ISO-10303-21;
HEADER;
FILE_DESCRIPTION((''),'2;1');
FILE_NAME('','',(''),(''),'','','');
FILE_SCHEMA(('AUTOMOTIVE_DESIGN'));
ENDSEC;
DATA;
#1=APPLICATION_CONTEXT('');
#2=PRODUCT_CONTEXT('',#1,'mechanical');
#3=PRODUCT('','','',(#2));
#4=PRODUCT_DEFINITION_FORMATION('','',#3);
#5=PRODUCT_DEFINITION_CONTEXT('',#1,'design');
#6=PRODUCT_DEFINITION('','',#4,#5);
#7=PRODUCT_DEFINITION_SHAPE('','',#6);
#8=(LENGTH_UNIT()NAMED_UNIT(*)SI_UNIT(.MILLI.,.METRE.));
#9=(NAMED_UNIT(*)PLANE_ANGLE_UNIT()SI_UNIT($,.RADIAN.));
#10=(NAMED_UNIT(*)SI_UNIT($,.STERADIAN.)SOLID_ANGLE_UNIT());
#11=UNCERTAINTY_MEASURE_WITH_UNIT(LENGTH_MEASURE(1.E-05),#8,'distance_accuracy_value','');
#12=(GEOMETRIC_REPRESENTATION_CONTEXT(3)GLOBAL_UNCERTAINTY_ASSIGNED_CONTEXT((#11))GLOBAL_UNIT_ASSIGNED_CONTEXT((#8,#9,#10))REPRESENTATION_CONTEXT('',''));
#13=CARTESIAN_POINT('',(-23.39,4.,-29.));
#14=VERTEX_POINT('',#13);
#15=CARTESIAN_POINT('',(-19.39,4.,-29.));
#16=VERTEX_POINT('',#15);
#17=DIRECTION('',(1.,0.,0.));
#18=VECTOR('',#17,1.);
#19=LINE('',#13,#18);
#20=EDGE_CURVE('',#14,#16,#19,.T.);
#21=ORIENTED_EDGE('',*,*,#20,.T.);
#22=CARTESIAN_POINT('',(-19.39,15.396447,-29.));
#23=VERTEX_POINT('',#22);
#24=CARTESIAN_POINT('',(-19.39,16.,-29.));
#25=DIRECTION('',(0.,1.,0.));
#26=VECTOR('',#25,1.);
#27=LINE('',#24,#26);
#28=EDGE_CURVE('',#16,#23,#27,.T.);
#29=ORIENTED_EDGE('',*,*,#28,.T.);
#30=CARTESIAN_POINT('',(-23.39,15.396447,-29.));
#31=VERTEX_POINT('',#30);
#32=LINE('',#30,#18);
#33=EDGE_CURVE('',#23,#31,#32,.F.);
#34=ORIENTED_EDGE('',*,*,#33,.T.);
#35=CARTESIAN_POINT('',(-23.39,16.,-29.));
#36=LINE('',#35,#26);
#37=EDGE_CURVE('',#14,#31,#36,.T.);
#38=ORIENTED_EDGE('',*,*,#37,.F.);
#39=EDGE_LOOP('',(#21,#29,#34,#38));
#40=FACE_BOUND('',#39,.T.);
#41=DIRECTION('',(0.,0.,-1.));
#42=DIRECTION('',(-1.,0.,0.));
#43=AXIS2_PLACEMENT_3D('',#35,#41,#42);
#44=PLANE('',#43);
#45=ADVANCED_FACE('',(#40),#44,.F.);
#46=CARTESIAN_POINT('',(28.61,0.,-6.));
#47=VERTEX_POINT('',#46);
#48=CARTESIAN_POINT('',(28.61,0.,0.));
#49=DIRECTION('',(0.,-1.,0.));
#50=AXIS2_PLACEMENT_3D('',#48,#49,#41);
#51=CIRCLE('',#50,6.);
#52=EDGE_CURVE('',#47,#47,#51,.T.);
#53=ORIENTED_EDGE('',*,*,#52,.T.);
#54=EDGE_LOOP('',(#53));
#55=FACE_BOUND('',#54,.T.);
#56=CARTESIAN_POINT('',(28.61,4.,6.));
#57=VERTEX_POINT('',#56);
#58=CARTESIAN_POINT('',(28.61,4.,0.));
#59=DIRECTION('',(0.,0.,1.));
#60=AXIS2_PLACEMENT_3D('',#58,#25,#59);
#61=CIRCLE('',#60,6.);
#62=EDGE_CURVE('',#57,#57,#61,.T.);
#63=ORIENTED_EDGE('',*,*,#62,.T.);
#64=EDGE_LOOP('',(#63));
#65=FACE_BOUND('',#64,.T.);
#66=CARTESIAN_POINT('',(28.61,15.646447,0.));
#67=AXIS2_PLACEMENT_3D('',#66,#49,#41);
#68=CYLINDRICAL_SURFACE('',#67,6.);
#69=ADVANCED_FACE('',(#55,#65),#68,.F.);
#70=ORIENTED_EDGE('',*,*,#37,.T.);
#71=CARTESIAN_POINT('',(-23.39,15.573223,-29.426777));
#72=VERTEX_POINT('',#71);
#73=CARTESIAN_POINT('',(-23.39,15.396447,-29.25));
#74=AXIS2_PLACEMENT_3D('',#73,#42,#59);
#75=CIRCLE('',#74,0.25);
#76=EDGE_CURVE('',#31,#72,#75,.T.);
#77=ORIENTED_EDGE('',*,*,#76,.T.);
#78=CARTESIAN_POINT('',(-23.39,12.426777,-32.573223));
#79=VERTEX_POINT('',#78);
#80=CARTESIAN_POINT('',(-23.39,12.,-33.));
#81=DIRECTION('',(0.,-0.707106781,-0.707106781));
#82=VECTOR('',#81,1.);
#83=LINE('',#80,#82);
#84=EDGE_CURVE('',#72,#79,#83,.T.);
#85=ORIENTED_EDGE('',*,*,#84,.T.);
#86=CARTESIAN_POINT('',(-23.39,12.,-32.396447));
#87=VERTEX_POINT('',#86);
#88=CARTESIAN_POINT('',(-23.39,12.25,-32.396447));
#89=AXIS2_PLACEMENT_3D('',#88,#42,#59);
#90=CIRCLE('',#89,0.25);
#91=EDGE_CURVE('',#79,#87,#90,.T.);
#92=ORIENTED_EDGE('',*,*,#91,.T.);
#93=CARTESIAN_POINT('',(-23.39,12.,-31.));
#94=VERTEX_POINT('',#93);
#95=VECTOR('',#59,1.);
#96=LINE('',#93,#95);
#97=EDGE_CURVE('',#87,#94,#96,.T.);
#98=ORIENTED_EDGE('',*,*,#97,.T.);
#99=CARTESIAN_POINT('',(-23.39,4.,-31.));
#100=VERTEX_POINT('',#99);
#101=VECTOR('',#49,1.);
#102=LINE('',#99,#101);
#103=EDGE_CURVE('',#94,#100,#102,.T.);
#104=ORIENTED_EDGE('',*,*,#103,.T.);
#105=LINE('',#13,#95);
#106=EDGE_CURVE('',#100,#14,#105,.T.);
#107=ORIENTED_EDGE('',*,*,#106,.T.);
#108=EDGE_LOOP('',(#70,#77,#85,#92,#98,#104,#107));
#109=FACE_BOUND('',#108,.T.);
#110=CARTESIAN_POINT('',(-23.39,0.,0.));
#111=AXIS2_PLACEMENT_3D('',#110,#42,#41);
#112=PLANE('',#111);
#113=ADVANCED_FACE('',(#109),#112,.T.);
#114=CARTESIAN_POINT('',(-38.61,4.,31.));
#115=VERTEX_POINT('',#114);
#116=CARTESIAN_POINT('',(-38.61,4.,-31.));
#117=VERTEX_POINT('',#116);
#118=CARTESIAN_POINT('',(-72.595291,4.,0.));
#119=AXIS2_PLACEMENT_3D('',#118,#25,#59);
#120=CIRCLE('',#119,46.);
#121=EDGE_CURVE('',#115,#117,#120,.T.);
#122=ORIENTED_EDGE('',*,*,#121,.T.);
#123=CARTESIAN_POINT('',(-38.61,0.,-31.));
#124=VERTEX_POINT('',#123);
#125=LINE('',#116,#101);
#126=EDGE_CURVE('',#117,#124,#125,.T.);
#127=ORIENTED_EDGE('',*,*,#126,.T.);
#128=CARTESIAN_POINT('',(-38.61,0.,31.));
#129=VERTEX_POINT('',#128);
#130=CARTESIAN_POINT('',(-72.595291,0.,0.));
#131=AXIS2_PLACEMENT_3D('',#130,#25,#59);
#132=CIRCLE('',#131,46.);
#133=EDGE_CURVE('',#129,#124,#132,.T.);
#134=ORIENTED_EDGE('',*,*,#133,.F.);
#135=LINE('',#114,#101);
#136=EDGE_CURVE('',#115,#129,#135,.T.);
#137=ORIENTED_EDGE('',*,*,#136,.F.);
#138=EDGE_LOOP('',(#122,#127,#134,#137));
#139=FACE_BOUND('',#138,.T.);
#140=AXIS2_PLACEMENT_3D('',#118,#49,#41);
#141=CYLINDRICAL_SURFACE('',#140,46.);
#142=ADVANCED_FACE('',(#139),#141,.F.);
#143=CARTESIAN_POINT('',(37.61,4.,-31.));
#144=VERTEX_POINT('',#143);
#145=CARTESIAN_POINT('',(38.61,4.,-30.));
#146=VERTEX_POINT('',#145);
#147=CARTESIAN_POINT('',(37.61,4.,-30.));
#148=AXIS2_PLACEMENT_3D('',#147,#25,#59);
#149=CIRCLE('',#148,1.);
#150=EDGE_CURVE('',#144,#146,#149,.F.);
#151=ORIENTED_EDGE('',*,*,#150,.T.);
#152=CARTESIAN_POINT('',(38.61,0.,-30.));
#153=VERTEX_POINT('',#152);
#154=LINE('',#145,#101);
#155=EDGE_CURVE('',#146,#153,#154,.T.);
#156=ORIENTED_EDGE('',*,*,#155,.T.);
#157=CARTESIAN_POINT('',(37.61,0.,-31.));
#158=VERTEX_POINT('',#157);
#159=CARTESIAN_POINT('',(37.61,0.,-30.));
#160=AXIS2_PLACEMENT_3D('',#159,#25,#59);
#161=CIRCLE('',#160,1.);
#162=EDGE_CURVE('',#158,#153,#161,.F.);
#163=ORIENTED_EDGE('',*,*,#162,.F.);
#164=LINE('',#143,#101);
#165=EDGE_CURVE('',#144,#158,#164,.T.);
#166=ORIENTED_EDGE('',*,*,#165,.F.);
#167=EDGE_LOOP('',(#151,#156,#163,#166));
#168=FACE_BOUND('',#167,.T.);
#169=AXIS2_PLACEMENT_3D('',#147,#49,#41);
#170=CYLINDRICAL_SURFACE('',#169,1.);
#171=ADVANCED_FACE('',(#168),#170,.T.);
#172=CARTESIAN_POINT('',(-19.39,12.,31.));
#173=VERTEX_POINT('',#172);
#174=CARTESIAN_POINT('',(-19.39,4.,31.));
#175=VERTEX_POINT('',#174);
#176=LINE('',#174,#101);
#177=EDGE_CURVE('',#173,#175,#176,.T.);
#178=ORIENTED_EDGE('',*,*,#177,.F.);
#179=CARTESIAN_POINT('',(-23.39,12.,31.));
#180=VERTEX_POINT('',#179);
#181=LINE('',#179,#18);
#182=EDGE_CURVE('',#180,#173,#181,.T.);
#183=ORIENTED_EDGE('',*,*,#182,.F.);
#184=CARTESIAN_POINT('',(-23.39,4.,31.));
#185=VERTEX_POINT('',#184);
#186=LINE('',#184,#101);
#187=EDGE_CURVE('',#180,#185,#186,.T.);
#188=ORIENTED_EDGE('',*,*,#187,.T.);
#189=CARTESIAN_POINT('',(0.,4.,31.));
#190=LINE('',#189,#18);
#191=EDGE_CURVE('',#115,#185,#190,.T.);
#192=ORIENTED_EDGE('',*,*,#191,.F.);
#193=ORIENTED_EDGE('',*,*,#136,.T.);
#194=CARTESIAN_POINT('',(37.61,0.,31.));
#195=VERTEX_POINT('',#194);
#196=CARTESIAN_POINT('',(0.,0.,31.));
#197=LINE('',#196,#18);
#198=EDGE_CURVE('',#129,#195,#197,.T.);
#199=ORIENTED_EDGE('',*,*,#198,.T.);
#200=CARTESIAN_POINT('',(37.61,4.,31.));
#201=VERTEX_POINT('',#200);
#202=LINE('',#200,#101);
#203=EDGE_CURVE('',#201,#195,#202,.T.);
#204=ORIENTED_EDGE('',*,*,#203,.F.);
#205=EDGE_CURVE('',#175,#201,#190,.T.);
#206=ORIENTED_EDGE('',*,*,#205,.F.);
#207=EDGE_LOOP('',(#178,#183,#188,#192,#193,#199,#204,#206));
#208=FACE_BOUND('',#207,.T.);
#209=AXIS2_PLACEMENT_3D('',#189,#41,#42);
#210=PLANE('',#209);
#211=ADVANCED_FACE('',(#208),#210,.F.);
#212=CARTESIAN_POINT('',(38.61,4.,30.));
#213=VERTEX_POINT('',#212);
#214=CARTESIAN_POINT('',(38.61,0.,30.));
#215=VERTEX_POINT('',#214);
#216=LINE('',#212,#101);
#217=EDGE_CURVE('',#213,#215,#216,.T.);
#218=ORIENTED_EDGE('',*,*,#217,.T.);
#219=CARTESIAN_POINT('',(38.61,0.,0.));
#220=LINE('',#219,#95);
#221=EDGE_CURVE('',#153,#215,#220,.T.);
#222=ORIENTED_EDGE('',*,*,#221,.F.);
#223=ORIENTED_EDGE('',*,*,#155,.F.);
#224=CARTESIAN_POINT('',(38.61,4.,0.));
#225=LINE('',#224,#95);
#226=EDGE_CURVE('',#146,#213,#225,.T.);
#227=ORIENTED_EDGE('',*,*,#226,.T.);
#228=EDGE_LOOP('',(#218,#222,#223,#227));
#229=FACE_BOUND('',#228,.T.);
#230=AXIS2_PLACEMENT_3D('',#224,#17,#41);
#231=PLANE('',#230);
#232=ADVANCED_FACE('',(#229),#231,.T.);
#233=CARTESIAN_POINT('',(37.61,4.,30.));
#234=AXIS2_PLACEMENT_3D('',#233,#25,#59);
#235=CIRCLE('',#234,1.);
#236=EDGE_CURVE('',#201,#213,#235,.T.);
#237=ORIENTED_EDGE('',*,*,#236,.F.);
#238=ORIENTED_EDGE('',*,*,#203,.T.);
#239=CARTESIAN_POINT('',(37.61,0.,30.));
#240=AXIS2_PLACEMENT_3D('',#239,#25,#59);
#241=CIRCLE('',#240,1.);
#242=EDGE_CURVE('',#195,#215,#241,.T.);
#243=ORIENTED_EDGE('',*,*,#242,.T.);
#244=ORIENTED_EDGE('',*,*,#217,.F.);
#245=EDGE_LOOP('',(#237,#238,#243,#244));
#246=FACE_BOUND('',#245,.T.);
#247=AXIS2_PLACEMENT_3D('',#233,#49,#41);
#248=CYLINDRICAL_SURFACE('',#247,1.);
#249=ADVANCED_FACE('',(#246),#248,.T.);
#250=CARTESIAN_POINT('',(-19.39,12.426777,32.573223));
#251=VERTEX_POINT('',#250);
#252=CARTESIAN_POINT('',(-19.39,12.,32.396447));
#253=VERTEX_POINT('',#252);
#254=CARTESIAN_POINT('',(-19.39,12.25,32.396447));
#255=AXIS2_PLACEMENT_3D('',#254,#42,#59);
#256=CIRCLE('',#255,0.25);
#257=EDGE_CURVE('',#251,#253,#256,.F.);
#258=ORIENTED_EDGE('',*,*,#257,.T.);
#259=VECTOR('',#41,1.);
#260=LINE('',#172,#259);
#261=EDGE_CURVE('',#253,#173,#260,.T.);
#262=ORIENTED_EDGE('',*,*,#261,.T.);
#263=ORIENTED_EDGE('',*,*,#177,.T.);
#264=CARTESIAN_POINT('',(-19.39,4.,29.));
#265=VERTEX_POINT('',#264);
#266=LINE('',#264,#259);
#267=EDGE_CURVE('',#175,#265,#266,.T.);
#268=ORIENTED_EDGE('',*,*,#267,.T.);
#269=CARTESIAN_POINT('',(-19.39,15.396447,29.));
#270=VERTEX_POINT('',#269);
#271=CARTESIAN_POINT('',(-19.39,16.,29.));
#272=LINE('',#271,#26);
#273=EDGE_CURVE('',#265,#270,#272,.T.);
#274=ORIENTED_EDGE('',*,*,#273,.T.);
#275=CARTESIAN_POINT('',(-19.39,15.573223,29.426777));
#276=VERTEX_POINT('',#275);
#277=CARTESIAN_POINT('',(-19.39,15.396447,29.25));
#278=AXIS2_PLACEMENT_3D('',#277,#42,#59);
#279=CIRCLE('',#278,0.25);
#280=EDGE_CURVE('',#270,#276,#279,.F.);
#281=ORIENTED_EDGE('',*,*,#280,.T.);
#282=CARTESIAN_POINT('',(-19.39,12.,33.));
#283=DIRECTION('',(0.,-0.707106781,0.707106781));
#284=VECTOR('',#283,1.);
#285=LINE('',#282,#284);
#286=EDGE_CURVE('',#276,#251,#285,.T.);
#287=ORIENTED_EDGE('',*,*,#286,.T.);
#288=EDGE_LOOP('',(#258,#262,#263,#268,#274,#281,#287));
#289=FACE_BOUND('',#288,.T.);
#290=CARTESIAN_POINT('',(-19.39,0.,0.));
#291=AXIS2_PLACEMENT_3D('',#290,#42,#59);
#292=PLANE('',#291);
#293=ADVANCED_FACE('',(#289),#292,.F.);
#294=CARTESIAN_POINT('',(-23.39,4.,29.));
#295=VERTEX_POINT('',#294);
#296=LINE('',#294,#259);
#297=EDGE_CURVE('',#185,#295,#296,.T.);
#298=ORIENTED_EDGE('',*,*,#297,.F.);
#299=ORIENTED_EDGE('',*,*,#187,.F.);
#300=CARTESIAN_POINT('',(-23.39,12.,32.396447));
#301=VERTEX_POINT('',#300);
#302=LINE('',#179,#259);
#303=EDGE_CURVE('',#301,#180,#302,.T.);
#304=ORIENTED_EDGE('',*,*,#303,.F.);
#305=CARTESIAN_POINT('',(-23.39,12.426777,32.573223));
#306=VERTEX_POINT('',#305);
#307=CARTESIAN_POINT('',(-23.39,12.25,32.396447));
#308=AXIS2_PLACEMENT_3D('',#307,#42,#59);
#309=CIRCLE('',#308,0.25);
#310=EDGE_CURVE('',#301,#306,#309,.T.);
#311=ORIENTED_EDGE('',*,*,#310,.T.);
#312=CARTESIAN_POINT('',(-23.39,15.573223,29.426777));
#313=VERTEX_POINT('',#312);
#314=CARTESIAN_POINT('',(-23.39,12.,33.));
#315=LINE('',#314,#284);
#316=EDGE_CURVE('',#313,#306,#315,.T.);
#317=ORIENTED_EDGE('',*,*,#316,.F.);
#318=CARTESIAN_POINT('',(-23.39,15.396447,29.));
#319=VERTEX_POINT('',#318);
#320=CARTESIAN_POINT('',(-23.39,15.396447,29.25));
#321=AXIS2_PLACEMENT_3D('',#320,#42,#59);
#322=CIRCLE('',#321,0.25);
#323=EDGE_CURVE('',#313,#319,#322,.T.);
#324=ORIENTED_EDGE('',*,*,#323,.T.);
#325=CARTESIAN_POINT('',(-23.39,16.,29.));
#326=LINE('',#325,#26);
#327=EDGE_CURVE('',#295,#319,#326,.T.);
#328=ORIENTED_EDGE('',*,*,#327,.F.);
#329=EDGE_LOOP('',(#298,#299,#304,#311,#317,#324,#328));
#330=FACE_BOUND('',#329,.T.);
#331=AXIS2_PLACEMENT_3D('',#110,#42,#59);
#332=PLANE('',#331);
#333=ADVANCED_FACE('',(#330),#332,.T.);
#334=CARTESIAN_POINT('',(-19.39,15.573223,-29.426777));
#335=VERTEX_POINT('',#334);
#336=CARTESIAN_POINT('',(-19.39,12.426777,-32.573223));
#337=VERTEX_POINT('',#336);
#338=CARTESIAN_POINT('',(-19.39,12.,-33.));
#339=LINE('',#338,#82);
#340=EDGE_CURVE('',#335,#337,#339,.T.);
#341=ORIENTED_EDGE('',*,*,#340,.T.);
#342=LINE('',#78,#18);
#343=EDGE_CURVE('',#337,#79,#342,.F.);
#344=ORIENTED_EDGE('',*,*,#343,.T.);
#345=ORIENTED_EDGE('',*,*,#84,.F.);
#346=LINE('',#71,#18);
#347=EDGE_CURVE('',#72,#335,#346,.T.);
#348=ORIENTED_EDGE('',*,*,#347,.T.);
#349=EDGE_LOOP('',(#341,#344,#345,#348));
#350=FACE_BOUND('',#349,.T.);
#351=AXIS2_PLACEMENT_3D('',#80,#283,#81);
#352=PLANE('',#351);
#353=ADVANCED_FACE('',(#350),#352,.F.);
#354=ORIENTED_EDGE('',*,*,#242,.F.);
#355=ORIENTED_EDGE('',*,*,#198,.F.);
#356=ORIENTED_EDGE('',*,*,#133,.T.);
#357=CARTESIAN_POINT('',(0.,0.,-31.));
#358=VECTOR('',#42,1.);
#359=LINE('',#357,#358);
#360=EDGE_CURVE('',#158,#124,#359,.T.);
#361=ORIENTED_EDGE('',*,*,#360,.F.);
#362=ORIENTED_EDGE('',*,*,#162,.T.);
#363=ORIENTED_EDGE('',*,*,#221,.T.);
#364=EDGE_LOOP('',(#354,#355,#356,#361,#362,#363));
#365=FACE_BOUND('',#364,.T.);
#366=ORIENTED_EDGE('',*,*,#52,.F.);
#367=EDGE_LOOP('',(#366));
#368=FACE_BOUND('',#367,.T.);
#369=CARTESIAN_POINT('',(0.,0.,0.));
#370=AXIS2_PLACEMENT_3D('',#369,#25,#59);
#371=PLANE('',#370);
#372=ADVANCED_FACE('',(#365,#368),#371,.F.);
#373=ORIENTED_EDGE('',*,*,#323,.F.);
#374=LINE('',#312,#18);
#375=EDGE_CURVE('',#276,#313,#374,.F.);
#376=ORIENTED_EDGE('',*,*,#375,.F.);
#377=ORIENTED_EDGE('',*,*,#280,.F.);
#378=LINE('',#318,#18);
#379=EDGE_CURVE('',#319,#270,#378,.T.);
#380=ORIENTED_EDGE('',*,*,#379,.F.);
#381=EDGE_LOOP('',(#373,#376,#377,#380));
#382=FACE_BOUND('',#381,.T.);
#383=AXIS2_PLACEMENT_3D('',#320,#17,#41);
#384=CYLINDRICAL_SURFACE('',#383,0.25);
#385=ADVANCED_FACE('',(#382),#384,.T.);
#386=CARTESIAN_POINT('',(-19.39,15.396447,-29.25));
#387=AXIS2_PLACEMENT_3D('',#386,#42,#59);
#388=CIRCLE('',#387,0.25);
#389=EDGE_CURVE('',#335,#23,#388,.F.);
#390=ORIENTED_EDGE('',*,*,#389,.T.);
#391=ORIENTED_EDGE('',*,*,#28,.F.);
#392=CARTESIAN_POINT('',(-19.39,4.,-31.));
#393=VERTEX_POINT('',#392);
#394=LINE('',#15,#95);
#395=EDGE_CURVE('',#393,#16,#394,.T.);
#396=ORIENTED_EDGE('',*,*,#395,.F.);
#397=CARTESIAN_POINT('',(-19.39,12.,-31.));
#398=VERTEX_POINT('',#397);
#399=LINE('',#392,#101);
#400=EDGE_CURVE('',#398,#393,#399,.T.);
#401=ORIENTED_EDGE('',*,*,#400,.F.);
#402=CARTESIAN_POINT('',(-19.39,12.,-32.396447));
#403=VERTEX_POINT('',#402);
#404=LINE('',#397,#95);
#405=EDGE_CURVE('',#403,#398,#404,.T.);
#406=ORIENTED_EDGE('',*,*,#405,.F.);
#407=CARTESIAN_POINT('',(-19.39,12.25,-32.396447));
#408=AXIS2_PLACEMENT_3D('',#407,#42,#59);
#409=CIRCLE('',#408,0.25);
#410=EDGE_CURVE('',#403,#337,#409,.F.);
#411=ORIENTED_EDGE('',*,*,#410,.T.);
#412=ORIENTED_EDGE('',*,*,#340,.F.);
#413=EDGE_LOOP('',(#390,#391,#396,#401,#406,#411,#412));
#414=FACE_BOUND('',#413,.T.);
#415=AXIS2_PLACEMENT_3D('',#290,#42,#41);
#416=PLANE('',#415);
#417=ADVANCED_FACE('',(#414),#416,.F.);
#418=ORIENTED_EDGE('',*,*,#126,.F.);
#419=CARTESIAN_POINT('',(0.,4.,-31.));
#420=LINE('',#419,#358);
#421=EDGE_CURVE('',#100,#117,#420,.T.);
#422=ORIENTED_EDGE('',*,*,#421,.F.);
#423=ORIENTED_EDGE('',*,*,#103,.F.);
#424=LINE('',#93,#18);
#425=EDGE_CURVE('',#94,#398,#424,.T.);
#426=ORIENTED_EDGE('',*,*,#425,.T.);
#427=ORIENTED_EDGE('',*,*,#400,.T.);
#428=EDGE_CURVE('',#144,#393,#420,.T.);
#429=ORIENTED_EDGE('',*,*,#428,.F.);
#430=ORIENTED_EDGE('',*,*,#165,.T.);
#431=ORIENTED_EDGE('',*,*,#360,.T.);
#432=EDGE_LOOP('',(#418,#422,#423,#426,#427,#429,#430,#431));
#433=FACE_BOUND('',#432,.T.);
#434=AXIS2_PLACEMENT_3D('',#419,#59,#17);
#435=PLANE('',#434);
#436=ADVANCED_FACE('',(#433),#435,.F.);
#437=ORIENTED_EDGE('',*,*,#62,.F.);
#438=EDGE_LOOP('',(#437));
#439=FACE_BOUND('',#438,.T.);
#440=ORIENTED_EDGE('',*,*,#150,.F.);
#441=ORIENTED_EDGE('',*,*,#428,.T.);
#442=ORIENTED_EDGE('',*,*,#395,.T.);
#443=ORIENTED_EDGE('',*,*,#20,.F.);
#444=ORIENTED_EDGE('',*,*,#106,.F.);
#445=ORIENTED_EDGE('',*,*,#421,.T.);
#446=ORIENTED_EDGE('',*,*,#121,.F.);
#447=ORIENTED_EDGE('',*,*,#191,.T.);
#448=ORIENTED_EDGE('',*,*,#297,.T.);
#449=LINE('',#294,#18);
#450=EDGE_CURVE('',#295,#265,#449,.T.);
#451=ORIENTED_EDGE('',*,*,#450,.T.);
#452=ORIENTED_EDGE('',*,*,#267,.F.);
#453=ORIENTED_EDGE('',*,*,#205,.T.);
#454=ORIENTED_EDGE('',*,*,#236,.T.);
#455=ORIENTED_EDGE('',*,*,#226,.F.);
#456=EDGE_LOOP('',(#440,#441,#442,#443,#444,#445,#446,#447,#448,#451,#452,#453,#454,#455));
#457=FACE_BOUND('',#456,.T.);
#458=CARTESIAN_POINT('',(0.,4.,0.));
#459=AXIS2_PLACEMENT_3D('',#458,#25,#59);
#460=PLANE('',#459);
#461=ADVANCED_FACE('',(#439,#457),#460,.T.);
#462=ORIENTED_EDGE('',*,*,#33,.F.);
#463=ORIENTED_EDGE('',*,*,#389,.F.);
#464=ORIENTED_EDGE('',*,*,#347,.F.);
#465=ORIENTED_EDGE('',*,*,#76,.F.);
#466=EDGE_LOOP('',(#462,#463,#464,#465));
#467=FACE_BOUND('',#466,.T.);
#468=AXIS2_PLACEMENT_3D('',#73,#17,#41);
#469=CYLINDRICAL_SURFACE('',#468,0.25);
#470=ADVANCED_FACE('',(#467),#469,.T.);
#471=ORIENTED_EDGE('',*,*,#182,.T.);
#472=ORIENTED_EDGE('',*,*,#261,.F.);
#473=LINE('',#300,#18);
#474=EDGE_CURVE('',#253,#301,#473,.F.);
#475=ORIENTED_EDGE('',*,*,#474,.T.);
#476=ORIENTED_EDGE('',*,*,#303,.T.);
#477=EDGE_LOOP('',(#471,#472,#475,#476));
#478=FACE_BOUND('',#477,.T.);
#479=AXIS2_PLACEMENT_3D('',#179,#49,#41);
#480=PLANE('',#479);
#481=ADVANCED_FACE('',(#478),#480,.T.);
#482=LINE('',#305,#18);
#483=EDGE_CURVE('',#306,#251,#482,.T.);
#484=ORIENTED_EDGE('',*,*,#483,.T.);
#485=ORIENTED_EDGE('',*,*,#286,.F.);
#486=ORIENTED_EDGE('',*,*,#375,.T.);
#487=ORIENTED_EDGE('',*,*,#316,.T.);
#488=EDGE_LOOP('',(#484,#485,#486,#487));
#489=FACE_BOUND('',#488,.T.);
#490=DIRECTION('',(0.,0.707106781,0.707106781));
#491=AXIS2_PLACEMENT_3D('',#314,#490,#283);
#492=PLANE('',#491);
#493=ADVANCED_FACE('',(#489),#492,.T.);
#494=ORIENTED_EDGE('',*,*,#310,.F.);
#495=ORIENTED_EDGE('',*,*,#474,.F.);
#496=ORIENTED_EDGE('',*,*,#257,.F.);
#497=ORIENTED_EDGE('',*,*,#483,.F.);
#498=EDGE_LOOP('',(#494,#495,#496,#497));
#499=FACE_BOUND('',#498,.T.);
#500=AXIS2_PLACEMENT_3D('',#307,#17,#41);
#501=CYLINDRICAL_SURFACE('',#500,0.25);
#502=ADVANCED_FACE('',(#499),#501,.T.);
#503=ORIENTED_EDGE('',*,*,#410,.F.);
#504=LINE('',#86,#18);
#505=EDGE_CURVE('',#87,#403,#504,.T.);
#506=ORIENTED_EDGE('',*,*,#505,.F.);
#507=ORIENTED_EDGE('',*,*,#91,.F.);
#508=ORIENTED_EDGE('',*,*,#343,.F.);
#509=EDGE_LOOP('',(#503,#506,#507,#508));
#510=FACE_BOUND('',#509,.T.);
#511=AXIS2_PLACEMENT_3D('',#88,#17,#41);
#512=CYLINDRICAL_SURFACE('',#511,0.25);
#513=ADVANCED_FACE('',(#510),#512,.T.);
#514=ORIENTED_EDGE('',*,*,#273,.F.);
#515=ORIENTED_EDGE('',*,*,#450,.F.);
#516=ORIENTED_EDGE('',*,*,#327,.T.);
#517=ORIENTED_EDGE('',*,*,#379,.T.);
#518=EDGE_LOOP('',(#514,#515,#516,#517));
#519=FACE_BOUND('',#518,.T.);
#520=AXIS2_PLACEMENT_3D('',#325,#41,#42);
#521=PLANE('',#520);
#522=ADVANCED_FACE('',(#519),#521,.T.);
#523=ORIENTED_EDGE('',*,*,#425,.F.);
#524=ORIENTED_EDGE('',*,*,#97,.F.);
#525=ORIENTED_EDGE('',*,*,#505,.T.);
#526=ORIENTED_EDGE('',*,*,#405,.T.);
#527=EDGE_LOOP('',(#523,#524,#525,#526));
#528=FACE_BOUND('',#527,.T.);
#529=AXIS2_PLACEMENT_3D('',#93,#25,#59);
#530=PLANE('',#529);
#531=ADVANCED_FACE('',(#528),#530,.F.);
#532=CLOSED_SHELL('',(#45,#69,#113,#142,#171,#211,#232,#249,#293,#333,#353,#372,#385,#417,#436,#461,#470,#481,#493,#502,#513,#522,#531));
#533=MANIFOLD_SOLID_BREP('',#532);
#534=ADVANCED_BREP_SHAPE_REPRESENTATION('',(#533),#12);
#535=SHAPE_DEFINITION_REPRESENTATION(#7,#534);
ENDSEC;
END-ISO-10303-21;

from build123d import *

# Parameters (mm, degrees)
EXTRUDE_1_DEPTH        = 4
EXTRUDE_1010_DEPTH     = 2
FILLET_1_R             = 0.25
FILLET_1_OF_MIRROR_1_R = 0.25
SKETCH_4_R             = 6
CUT_EXTRUDE_2_DEPTH    = 53.927628586


with BuildPart() as part:
    # 草图1 → 凸台-拉伸1 (new body)
    with BuildSketch(Plane(origin=(0, 0, 0), x_dir=(1, 0, 0), z_dir=(0, 1, 0))):
        with BuildLine():
            ThreePointArc((38.61, 30), (38.317106781, 30.707106781), (37.61, 31))
            Line((37.61, 31), (-38.61, 31))
            ThreePointArc((-38.61, 31), (-26.595290936, 0), (-38.61, -31))
            Line((-38.61, -31), (37.61, -31))
            ThreePointArc((37.61, -31), (38.317106781, -30.707106781), (38.61, -30))
            Line((38.61, -30), (38.61, 30))
        make_face()
    extrude(amount=EXTRUDE_1_DEPTH)

    # 草图3 → Extrude 1010 (add, symmetric)
    with BuildSketch(Plane(origin=(-21.39, 0, 0), x_dir=(0, 0, -1), z_dir=(1, 0, 0))):
        Polygon((-31, 4), (-31, 12), (-33, 12), (-29, 16), (-29, 4), align=None)
    extrude_1010 = extrude(amount=EXTRUDE_1010_DEPTH, both=True)

    # 圆角1
    fillet_1_edges = [part.edges().sort_by_distance(p)[0] for p in [
        (-21.39, 16, 29),
        (-21.39, 12, 33),
    ]]
    fillet(fillet_1_edges, radius=FILLET_1_R)

    # 镜向1: Extrude 1010 across plane
    add(extrude_1010.mirror(Plane.XY))

    # 圆角1 of 镜向1
    fillet_1_of_mirror_1_edges = [part.edges().sort_by_distance(p)[0] for p in [
        (-21.39, 16, -29),
        (-21.39, 12, -33),
    ]]
    fillet(fillet_1_of_mirror_1_edges, radius=FILLET_1_OF_MIRROR_1_R)

    # 草图4 → 切除-拉伸2 (cut, through all)
    with BuildSketch(Plane.XZ):
        with Locations((28.61, 0)):
            Circle(SKETCH_4_R)
    extrude(amount=-CUT_EXTRUDE_2_DEPTH, mode=Mode.SUBTRACT)


solid = part.part
